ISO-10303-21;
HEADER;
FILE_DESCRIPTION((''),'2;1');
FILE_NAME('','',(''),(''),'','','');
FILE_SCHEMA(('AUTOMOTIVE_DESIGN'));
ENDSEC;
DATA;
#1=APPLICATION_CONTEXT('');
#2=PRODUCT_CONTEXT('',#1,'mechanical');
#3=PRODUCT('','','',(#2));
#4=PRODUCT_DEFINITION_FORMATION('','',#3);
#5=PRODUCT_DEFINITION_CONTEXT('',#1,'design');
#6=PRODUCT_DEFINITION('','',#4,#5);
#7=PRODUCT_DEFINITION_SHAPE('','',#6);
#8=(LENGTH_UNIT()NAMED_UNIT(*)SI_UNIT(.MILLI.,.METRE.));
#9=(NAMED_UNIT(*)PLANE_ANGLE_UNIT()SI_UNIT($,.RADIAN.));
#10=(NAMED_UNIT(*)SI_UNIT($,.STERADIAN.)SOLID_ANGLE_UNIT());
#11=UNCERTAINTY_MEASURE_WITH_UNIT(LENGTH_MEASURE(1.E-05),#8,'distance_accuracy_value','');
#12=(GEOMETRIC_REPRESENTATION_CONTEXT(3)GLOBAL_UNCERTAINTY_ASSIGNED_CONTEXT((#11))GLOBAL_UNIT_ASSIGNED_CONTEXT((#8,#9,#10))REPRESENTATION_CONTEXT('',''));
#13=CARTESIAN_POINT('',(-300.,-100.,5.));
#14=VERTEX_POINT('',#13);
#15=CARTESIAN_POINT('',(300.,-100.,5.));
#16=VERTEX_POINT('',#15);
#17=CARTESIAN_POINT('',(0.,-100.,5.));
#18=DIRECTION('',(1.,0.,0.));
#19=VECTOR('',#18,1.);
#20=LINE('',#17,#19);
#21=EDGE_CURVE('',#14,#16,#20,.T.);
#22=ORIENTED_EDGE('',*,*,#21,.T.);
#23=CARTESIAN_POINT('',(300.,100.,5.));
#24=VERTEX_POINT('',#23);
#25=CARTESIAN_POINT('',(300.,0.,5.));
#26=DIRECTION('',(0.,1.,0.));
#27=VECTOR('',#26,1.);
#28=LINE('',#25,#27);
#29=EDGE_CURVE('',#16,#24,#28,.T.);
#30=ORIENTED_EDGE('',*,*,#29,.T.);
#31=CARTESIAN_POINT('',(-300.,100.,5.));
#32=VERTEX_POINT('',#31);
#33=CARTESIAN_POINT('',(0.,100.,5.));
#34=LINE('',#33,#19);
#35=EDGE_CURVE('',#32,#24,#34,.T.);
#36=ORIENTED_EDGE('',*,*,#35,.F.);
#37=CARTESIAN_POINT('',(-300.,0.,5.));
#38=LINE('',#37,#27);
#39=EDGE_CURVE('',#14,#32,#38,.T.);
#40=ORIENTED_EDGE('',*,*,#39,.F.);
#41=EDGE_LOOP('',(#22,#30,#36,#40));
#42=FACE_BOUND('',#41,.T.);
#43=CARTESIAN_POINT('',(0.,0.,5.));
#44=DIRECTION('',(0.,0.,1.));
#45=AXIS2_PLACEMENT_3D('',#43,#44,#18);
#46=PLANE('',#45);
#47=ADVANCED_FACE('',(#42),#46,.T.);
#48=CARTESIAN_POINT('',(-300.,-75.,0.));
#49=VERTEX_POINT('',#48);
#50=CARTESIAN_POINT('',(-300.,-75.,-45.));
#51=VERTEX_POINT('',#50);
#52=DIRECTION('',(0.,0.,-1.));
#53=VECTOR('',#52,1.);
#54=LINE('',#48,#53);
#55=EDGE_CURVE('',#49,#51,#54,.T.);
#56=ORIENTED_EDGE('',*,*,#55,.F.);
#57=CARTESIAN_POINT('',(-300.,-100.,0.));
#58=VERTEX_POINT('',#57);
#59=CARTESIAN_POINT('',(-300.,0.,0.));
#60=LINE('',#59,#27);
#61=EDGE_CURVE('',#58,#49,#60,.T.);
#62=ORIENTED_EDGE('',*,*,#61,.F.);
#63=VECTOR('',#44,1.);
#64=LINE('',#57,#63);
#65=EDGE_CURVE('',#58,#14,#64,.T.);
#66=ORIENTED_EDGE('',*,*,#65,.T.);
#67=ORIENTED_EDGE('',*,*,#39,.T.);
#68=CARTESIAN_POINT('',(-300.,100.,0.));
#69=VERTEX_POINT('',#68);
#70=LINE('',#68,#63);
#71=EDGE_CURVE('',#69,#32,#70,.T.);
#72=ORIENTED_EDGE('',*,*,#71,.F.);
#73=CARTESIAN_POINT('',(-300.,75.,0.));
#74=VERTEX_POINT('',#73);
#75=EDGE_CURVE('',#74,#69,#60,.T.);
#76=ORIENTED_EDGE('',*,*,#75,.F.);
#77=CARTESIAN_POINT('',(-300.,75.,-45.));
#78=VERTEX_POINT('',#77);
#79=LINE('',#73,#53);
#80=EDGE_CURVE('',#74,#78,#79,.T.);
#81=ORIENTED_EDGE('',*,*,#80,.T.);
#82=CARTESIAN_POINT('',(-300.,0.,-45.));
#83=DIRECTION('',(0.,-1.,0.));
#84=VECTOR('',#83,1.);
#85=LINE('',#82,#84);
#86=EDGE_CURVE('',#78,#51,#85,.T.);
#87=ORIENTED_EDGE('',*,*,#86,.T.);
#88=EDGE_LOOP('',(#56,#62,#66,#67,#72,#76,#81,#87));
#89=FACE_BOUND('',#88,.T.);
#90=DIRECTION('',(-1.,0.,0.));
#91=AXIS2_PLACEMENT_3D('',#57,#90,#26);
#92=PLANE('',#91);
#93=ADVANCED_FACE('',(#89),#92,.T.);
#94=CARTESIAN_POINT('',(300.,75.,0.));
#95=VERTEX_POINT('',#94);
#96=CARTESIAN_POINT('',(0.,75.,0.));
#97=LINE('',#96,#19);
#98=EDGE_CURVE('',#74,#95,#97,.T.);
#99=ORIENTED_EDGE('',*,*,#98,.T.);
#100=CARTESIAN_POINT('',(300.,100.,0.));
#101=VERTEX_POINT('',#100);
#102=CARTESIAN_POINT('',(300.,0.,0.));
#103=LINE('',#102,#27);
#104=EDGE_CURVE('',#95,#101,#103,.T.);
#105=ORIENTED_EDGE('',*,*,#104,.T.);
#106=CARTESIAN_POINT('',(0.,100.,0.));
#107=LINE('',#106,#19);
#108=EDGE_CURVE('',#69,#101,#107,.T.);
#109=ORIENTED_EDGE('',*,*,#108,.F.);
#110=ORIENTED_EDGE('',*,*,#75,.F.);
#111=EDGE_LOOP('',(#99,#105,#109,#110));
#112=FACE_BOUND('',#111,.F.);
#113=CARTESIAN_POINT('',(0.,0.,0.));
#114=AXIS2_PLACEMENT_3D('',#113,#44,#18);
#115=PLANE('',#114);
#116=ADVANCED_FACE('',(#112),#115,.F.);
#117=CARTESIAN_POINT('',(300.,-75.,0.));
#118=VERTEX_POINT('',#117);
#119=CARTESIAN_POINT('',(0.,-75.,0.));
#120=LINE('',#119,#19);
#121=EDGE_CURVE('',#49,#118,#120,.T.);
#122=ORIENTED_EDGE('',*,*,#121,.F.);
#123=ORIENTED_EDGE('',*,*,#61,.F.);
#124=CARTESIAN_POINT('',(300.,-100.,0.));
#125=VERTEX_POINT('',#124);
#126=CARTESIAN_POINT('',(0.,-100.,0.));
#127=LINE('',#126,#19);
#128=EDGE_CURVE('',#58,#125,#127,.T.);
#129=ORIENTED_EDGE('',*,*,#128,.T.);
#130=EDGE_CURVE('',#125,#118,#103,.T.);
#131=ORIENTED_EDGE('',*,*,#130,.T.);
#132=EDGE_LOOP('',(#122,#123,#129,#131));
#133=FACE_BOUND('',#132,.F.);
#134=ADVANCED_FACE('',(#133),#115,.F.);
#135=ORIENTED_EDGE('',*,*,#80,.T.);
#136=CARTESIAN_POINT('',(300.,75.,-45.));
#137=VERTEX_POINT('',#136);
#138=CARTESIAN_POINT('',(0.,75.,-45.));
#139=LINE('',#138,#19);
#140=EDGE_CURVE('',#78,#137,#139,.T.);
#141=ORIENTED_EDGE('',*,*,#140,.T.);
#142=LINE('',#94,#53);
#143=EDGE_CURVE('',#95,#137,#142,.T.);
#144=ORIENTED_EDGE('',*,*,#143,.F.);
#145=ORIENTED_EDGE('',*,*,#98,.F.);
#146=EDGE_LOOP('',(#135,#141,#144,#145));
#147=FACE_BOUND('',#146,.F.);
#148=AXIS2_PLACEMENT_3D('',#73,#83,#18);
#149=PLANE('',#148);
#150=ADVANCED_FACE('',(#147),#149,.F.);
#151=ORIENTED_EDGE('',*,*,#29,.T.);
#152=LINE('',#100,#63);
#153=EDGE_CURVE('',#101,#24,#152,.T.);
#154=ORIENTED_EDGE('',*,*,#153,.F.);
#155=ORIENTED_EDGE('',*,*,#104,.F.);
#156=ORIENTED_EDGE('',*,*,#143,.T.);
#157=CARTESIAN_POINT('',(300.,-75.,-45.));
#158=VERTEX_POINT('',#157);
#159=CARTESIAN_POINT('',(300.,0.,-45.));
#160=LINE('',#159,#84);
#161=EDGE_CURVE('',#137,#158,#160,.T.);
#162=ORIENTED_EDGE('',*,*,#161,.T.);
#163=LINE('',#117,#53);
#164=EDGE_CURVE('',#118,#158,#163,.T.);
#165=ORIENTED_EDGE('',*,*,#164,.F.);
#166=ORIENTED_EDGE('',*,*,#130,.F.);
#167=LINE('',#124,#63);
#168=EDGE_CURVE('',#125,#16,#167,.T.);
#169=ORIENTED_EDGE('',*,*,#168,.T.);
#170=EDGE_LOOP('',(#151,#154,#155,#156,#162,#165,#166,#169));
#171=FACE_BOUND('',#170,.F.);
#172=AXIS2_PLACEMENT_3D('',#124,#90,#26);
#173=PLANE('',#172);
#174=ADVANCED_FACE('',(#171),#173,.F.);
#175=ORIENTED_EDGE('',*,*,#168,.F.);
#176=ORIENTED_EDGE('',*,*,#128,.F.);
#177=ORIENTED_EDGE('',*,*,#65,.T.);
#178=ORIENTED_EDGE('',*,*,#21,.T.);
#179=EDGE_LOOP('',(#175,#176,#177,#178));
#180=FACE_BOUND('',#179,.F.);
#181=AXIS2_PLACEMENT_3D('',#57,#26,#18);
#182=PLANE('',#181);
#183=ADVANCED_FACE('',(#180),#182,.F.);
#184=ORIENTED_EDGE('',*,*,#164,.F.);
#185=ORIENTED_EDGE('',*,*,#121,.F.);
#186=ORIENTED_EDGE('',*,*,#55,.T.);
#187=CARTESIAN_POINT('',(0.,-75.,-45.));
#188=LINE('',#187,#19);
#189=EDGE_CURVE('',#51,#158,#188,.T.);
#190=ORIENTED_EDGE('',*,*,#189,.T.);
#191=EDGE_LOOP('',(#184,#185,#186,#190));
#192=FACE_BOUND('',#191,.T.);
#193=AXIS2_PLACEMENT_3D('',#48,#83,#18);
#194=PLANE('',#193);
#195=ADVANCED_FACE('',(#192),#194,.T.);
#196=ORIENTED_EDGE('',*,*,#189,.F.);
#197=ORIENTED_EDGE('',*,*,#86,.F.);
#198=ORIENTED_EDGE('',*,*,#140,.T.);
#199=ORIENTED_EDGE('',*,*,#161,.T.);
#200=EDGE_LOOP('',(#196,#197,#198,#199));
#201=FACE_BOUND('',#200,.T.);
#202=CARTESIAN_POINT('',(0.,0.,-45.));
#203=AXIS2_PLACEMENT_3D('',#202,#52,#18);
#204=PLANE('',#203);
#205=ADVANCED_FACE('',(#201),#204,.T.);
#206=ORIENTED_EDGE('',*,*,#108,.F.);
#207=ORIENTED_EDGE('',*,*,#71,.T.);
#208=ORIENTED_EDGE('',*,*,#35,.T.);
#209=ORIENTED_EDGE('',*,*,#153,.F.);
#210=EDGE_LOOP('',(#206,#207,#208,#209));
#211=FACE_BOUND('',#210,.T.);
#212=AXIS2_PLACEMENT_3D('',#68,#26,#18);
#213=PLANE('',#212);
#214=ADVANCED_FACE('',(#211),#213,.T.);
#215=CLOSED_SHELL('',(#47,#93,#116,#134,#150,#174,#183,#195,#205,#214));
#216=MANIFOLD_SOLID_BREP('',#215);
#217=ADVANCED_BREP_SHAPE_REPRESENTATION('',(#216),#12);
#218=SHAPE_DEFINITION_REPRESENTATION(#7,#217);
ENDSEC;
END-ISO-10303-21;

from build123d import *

# Parameters (mm, degrees)
F0_W     = 600
F0_H     = 200
F1_DEPTH = 5
F2_W     = 600
F2_H     = 150
F3_DEPTH = 45


with BuildPart() as f1:
    # F0 (on Top) → F1 (new body)
    with BuildSketch(Plane.XY):
        Rectangle(F0_W, F0_H)
    extrude(amount=F1_DEPTH)

    # F2 (on face) → F3 (join)
    with BuildSketch(Plane(origin=(0, 0, 0), x_dir=(1, 0, 0), z_dir=(0, 0, -1))):
        Rectangle(F2_W, F2_H)
    extrude(amount=F3_DEPTH)


solid = f1.part
